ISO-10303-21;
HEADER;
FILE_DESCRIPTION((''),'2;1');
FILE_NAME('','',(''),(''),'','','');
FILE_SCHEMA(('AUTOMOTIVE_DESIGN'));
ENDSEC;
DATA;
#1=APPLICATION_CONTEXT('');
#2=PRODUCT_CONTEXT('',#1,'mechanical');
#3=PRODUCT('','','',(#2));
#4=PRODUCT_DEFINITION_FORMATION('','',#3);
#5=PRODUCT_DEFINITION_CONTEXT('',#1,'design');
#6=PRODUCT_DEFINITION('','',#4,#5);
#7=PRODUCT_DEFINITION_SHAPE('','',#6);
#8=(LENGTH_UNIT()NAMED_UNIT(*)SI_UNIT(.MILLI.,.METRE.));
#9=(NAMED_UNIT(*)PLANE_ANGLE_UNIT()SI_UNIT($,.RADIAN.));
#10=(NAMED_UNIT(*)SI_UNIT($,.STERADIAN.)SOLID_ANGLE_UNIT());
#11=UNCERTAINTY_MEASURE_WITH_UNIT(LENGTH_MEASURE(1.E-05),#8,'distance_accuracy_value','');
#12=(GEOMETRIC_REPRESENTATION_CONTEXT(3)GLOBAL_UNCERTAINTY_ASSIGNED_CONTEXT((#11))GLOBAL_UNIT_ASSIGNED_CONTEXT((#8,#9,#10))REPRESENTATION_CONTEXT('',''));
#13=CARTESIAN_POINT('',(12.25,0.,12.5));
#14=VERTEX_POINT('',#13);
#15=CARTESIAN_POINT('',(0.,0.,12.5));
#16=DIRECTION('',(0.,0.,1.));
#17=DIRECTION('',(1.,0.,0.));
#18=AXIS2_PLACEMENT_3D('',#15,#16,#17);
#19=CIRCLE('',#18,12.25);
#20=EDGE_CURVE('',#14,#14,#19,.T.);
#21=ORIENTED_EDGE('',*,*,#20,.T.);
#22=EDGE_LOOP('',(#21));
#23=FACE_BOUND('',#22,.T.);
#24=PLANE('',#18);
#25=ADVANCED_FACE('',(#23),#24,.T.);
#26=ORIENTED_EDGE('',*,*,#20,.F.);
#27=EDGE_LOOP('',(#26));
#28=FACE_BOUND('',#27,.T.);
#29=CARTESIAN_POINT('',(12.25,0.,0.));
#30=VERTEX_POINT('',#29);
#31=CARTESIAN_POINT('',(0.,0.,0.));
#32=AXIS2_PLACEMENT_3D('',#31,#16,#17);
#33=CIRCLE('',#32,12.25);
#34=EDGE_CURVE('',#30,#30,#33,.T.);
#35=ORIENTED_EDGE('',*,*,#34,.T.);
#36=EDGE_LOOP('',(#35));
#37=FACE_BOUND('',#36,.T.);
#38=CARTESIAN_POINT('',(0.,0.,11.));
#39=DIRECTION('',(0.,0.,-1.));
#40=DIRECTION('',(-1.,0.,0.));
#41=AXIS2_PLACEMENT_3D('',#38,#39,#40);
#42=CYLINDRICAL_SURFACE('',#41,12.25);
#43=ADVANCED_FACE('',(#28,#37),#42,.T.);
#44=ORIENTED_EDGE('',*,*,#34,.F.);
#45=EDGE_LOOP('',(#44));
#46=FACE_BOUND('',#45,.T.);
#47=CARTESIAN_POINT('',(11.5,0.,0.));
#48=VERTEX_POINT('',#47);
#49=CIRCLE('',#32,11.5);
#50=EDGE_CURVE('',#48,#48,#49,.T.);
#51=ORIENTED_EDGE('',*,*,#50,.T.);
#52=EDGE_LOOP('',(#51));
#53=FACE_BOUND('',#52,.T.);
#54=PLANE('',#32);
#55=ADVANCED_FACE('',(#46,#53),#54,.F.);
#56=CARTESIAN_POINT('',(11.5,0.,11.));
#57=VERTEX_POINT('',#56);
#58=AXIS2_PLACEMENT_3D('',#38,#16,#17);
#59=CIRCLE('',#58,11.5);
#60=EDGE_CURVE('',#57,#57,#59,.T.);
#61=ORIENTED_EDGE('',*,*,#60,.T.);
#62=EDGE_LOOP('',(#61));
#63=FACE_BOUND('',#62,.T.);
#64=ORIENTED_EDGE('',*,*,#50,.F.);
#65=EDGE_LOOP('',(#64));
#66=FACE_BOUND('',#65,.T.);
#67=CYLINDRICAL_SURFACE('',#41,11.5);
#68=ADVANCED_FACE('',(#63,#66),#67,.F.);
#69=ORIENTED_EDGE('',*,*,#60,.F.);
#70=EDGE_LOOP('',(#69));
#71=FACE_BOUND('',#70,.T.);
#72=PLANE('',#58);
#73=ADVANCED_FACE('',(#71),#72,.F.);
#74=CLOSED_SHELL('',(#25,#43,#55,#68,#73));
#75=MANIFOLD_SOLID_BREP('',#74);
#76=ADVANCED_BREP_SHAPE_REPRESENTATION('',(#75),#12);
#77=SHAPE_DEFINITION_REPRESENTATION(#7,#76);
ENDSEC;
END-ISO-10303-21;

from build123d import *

# Parameters (mm, degrees)
CROQUIS1_R              = 12.25
CROQUIS1_R_2            = 11.5
SALIENTE_EXTRUIR1_DEPTH = 11
CROQUIS2_R              = 12.25
SALIENTE_EXTRUIR2_DEPTH = 1.5


with BuildPart() as part:
    # Croquis1 → Saliente-Extruir1 (new body)
    with BuildSketch(Plane.XY):
        Circle(CROQUIS1_R)
        Circle(CROQUIS1_R_2, mode=Mode.SUBTRACT)
    extrude(amount=SALIENTE_EXTRUIR1_DEPTH)

    # Croquis2 → Saliente-Extruir2 (add)
    with BuildSketch(Plane.XY.offset(11)):
        Circle(CROQUIS2_R)
    extrude(amount=SALIENTE_EXTRUIR2_DEPTH)


solid = part.part
